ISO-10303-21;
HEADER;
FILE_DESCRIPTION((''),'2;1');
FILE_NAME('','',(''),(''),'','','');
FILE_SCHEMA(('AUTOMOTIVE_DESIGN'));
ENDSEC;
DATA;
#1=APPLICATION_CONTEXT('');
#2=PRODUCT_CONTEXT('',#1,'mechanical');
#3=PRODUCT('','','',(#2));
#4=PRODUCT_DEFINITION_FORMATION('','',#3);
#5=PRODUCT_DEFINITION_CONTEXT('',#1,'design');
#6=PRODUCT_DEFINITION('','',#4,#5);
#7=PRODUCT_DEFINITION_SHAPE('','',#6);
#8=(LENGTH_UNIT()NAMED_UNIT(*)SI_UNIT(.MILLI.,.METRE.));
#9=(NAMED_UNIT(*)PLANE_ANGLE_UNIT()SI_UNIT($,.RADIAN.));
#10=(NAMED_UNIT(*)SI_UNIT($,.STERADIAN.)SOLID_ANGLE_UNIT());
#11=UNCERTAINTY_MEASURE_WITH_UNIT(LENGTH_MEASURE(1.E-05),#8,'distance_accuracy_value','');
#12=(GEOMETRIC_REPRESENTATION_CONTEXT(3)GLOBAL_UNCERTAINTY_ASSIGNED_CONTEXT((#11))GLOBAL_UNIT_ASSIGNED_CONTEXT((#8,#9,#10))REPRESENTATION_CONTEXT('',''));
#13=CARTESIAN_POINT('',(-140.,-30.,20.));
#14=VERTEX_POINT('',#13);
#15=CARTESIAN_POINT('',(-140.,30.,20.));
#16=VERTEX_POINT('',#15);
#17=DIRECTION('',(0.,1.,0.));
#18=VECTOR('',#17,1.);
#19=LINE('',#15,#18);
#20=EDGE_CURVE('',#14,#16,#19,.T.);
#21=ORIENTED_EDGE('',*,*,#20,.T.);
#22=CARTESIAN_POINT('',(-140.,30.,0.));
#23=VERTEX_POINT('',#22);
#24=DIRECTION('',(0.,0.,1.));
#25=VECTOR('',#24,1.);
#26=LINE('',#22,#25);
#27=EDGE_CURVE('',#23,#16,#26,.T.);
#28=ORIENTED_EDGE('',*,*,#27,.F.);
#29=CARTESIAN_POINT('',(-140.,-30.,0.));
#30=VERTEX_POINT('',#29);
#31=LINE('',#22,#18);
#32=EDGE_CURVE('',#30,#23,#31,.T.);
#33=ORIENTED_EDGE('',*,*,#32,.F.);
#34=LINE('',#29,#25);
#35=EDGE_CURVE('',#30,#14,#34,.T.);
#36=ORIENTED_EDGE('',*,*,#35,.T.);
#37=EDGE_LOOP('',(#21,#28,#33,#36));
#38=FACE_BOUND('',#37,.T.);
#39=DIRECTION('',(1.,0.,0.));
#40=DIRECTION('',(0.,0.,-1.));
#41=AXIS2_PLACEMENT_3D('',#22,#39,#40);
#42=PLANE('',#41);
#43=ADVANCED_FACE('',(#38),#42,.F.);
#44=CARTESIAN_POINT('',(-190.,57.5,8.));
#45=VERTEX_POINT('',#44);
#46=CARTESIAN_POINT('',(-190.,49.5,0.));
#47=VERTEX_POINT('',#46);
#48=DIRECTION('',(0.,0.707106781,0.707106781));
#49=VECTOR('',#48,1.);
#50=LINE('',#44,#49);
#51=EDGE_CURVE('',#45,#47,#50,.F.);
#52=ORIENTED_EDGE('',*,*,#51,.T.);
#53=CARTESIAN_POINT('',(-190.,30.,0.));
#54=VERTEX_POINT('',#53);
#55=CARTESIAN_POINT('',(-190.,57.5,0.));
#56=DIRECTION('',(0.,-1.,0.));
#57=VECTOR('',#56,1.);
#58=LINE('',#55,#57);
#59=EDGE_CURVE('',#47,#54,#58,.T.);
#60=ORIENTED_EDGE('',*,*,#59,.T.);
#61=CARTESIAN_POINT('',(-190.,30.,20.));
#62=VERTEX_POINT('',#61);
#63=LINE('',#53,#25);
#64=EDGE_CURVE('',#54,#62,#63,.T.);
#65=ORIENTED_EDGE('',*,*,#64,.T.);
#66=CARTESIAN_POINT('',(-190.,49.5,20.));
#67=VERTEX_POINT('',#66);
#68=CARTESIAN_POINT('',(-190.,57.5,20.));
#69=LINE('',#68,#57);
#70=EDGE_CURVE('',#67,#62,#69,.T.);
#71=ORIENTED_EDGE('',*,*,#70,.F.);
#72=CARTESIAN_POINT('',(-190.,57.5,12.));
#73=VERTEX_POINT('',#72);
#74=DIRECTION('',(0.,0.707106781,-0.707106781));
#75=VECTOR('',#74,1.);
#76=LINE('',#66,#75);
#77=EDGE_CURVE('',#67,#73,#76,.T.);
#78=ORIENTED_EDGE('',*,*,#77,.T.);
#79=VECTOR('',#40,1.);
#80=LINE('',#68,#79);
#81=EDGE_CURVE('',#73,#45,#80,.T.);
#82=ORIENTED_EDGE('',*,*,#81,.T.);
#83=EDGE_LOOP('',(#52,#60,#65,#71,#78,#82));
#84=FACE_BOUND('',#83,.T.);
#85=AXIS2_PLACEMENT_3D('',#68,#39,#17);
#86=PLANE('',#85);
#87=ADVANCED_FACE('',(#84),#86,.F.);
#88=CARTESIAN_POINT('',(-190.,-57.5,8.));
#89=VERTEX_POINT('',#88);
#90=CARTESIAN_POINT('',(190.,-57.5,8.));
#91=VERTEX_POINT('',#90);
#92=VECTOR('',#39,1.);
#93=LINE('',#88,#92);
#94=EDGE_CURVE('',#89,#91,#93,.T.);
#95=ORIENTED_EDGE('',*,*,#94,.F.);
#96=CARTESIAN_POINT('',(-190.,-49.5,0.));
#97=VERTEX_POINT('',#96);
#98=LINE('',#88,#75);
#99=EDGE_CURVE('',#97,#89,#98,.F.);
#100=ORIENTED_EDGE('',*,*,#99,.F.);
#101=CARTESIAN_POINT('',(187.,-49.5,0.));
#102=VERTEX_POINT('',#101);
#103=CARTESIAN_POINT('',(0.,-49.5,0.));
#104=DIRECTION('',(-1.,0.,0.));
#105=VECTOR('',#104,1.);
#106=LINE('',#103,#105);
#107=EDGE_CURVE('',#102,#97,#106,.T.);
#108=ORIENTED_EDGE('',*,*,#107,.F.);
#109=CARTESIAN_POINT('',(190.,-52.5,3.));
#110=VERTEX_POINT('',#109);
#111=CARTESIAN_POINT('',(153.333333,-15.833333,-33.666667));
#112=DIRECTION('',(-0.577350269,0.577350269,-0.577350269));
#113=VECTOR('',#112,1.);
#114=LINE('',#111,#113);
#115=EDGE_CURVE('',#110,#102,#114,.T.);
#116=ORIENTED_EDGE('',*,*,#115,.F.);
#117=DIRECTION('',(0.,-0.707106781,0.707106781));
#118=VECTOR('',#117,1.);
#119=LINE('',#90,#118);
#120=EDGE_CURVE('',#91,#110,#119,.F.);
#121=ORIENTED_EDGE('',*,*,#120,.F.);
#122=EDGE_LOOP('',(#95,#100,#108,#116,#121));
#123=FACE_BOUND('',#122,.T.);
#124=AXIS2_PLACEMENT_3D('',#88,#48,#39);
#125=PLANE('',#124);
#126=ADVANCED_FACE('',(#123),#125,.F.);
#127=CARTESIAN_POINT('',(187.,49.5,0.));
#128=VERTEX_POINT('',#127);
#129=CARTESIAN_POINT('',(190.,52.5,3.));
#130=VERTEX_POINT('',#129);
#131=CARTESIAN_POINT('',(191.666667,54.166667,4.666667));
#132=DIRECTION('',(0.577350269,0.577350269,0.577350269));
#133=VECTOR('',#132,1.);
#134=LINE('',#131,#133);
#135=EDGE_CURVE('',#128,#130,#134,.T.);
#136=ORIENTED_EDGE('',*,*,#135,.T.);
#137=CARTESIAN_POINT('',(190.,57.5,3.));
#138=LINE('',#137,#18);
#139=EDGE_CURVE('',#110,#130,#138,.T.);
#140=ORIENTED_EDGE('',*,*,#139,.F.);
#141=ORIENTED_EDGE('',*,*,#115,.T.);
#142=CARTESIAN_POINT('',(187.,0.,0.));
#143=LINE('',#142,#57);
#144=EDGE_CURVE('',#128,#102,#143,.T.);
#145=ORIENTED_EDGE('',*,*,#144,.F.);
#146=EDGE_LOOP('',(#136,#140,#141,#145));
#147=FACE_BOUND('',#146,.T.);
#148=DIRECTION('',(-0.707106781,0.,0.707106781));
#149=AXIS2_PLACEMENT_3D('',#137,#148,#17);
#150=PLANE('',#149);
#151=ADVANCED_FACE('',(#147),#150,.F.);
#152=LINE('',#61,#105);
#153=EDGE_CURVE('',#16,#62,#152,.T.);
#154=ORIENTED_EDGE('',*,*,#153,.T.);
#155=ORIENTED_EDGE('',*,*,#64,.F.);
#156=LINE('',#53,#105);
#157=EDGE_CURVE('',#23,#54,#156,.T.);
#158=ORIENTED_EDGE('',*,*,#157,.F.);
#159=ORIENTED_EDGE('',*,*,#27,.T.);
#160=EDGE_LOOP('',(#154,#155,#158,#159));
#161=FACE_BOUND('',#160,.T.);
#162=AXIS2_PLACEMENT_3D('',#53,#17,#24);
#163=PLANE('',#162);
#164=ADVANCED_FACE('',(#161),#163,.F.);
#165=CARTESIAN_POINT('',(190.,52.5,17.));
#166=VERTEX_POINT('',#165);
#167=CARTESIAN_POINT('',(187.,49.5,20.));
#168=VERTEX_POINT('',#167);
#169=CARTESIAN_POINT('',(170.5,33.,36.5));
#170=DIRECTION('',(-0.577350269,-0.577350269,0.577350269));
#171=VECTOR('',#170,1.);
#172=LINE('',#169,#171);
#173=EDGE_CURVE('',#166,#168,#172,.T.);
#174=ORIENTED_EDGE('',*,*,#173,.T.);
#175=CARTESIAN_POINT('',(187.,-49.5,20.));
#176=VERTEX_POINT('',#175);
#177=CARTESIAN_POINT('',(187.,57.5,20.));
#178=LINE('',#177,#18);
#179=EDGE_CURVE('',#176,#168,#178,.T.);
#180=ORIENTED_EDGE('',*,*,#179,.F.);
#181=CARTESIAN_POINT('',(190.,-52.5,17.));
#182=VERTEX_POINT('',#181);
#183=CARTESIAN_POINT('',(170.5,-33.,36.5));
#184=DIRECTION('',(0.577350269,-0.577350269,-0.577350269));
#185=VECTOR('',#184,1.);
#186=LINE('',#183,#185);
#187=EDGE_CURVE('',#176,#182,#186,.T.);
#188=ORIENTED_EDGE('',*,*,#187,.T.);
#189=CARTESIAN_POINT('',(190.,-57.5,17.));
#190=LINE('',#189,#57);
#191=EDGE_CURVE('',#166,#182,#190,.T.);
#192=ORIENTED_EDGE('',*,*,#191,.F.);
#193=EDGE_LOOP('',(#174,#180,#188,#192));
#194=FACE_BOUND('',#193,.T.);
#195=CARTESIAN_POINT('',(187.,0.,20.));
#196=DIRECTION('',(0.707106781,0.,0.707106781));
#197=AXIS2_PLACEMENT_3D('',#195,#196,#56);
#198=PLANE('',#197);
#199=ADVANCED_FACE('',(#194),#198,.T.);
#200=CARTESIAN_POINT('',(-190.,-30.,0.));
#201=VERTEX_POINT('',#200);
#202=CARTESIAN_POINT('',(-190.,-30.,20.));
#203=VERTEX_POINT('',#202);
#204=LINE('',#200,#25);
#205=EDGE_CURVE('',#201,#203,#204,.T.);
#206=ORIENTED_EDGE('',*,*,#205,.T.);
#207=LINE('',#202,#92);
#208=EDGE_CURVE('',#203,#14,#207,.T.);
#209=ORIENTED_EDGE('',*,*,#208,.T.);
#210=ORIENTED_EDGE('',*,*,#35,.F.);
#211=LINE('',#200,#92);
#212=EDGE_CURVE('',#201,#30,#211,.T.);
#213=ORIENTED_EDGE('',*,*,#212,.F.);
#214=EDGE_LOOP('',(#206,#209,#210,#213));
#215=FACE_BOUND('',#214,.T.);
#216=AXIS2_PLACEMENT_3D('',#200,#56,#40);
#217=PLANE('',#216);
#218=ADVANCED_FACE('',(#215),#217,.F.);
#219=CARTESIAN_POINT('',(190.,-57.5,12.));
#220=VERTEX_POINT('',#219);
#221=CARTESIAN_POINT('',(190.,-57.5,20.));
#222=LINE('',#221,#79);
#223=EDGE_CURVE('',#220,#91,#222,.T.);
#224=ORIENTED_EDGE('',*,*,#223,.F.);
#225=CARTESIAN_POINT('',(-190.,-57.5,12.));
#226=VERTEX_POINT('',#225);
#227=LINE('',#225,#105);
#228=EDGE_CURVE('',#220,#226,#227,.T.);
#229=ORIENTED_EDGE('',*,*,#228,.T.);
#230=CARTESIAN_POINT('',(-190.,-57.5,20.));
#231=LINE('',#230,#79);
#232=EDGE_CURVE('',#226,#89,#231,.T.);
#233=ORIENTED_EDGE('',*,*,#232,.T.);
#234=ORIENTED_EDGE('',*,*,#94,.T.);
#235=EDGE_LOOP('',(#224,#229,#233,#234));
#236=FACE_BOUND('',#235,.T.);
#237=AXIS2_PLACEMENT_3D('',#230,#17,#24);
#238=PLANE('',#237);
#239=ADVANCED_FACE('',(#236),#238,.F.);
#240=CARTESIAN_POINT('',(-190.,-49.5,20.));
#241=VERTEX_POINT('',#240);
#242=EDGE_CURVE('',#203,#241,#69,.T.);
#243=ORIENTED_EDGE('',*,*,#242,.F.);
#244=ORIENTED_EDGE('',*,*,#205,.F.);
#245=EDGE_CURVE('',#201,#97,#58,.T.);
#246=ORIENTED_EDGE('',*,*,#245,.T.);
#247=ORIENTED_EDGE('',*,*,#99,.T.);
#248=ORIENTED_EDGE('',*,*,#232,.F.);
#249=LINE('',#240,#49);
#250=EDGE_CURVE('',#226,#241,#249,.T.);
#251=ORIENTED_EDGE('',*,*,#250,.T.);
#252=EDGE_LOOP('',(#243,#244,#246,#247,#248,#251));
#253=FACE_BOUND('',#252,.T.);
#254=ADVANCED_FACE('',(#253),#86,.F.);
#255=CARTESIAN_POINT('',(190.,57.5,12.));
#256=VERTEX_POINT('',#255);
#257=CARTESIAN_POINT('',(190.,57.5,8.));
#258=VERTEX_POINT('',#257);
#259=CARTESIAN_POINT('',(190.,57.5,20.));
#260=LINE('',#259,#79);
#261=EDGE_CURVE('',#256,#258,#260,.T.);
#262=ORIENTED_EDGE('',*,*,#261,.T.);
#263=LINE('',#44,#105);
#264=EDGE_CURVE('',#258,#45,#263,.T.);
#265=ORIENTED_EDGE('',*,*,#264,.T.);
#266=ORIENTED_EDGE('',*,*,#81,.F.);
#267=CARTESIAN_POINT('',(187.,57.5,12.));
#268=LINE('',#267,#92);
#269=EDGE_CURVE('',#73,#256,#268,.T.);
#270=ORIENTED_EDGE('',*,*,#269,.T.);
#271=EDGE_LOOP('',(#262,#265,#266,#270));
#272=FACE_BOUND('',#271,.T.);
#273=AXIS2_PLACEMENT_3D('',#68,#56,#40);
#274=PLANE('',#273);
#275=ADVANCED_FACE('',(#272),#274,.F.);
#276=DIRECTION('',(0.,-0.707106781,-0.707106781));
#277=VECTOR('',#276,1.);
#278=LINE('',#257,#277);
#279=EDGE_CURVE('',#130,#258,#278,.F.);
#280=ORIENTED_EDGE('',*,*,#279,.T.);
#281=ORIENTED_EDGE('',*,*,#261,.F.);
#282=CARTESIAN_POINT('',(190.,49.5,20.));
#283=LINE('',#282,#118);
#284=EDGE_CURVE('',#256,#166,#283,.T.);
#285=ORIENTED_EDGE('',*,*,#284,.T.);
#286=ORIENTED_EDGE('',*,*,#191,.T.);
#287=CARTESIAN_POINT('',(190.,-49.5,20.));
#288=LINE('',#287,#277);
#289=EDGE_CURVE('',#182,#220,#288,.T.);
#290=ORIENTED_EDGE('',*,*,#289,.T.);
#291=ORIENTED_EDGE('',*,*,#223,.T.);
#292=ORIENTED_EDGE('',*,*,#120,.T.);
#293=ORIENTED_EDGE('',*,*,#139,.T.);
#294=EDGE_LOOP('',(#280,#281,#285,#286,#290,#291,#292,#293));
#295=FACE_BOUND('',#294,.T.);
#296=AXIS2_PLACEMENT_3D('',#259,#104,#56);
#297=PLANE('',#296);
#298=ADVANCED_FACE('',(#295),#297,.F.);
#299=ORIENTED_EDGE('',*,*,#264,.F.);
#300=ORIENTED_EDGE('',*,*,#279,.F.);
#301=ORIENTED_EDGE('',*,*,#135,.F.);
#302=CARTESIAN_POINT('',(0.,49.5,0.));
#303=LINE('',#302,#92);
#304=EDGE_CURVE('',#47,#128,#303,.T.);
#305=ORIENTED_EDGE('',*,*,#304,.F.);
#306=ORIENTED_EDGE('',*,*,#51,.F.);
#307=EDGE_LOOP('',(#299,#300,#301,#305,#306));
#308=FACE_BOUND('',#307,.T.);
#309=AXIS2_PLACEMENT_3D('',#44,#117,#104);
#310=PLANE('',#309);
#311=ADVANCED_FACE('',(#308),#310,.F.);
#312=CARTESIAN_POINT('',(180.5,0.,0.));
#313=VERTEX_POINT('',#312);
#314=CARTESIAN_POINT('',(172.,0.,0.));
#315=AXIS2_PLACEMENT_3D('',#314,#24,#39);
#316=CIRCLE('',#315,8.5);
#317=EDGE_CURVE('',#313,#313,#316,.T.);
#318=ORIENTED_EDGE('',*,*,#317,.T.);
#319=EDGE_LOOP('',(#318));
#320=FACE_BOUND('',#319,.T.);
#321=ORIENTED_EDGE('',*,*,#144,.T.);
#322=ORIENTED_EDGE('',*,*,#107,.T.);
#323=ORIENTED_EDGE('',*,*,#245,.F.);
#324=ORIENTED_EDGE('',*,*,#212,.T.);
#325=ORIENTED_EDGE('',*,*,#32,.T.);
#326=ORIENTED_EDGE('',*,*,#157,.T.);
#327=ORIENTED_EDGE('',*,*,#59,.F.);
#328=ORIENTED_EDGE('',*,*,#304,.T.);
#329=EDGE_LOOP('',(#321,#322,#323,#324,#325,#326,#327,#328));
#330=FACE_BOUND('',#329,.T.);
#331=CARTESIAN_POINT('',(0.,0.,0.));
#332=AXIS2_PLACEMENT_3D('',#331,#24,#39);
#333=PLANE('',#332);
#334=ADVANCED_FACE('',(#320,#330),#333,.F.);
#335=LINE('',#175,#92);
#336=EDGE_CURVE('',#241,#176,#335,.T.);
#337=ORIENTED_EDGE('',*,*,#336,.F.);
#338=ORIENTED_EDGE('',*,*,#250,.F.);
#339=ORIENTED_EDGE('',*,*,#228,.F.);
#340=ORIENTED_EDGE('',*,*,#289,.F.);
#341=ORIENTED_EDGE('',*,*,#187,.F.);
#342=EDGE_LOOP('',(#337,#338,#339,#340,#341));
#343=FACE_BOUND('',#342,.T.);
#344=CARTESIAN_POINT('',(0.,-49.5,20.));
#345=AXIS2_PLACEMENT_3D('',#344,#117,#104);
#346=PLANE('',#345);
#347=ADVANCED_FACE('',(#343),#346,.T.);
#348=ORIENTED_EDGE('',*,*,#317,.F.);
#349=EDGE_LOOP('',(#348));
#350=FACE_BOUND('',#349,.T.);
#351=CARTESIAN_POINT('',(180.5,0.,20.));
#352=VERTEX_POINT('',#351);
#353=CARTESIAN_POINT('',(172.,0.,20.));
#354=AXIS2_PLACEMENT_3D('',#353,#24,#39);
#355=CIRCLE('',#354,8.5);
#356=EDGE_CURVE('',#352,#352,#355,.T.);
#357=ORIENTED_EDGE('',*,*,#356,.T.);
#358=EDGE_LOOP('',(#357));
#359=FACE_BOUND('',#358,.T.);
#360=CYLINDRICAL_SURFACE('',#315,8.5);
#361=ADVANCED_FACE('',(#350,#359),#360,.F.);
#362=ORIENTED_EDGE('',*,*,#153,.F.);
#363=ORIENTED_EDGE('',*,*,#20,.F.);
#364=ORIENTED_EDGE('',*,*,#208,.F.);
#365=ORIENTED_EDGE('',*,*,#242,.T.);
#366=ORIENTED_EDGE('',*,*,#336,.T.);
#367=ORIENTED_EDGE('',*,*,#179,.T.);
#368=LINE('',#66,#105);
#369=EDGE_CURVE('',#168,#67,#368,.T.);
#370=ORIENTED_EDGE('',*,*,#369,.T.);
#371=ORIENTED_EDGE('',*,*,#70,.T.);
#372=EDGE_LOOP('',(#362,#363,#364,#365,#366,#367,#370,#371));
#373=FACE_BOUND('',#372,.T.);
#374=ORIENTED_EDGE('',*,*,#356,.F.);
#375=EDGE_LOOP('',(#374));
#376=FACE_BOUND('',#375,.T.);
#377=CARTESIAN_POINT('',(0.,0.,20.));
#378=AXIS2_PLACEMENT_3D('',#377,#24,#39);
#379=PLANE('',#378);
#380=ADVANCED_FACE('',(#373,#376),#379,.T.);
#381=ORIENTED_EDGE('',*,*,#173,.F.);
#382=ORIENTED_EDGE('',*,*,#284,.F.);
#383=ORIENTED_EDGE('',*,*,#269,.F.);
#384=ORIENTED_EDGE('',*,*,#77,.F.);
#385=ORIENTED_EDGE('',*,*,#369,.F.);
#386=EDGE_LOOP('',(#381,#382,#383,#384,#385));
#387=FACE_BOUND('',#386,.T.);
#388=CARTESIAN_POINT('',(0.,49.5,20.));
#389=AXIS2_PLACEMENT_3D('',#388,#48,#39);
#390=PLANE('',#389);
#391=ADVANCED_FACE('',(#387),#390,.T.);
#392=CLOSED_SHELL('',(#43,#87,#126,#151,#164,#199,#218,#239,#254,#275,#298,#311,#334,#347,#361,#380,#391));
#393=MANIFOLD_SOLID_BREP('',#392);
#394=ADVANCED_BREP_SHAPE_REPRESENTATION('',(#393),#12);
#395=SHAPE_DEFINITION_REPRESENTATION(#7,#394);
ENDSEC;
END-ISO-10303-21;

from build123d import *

# Parameters (mm, degrees)
SKETCH_1_W          = 380
SKETCH_1_H          = 115
EXTRUDE_1_DEPTH     = 20
SKETCH_2_R          = 8.5
CUT_EXTRUDE_1_DEPTH = 20
CHAMFER_1_SIZE      = 3
SKETCH_3_W          = 50
SKETCH_3_H          = 60
CUT_EXTRUDE_2_DEPTH = 200.515037027
CHAMFER_2_SIZE      = 8


with BuildPart() as part:
    # 草图1 → 凸台-拉伸1 (new body)
    with BuildSketch(Plane.XY):
        Rectangle(SKETCH_1_W, SKETCH_1_H)
    extrude(amount=EXTRUDE_1_DEPTH)

    # 草图2 → 切除-拉伸1 (cut)
    with BuildSketch(Plane.XY.offset(20)):
        with Locations((172, 0)):
            Circle(SKETCH_2_R)
    extrude(amount=-CUT_EXTRUDE_1_DEPTH, mode=Mode.SUBTRACT)

    # 倒角1
    chamfer_1_edges = [part.edges().sort_by_distance(p)[0] for p in [
        (190, 0, 20),
        (190, 0, 0),
    ]]
    chamfer(chamfer_1_edges, length=CHAMFER_1_SIZE)

    # 草图3 → 切除-拉伸2 (cut, through all)
    with BuildSketch(Plane.XY.offset(20)):
        with Locations((-165, 0)):
            Rectangle(SKETCH_3_W, SKETCH_3_H)
    extrude(amount=-CUT_EXTRUDE_2_DEPTH, mode=Mode.SUBTRACT)

    # 倒角2
    chamfer_2_edges = [part.edges().sort_by_distance(p)[0] for p in [
        (-1.5, 57.5, 20),
        (-1.5, 57.5, 0),
        (-1.5, -57.5, 0),
        (-1.5, -57.5, 20),
    ]]
    chamfer(chamfer_2_edges, length=CHAMFER_2_SIZE)


solid = part.part
